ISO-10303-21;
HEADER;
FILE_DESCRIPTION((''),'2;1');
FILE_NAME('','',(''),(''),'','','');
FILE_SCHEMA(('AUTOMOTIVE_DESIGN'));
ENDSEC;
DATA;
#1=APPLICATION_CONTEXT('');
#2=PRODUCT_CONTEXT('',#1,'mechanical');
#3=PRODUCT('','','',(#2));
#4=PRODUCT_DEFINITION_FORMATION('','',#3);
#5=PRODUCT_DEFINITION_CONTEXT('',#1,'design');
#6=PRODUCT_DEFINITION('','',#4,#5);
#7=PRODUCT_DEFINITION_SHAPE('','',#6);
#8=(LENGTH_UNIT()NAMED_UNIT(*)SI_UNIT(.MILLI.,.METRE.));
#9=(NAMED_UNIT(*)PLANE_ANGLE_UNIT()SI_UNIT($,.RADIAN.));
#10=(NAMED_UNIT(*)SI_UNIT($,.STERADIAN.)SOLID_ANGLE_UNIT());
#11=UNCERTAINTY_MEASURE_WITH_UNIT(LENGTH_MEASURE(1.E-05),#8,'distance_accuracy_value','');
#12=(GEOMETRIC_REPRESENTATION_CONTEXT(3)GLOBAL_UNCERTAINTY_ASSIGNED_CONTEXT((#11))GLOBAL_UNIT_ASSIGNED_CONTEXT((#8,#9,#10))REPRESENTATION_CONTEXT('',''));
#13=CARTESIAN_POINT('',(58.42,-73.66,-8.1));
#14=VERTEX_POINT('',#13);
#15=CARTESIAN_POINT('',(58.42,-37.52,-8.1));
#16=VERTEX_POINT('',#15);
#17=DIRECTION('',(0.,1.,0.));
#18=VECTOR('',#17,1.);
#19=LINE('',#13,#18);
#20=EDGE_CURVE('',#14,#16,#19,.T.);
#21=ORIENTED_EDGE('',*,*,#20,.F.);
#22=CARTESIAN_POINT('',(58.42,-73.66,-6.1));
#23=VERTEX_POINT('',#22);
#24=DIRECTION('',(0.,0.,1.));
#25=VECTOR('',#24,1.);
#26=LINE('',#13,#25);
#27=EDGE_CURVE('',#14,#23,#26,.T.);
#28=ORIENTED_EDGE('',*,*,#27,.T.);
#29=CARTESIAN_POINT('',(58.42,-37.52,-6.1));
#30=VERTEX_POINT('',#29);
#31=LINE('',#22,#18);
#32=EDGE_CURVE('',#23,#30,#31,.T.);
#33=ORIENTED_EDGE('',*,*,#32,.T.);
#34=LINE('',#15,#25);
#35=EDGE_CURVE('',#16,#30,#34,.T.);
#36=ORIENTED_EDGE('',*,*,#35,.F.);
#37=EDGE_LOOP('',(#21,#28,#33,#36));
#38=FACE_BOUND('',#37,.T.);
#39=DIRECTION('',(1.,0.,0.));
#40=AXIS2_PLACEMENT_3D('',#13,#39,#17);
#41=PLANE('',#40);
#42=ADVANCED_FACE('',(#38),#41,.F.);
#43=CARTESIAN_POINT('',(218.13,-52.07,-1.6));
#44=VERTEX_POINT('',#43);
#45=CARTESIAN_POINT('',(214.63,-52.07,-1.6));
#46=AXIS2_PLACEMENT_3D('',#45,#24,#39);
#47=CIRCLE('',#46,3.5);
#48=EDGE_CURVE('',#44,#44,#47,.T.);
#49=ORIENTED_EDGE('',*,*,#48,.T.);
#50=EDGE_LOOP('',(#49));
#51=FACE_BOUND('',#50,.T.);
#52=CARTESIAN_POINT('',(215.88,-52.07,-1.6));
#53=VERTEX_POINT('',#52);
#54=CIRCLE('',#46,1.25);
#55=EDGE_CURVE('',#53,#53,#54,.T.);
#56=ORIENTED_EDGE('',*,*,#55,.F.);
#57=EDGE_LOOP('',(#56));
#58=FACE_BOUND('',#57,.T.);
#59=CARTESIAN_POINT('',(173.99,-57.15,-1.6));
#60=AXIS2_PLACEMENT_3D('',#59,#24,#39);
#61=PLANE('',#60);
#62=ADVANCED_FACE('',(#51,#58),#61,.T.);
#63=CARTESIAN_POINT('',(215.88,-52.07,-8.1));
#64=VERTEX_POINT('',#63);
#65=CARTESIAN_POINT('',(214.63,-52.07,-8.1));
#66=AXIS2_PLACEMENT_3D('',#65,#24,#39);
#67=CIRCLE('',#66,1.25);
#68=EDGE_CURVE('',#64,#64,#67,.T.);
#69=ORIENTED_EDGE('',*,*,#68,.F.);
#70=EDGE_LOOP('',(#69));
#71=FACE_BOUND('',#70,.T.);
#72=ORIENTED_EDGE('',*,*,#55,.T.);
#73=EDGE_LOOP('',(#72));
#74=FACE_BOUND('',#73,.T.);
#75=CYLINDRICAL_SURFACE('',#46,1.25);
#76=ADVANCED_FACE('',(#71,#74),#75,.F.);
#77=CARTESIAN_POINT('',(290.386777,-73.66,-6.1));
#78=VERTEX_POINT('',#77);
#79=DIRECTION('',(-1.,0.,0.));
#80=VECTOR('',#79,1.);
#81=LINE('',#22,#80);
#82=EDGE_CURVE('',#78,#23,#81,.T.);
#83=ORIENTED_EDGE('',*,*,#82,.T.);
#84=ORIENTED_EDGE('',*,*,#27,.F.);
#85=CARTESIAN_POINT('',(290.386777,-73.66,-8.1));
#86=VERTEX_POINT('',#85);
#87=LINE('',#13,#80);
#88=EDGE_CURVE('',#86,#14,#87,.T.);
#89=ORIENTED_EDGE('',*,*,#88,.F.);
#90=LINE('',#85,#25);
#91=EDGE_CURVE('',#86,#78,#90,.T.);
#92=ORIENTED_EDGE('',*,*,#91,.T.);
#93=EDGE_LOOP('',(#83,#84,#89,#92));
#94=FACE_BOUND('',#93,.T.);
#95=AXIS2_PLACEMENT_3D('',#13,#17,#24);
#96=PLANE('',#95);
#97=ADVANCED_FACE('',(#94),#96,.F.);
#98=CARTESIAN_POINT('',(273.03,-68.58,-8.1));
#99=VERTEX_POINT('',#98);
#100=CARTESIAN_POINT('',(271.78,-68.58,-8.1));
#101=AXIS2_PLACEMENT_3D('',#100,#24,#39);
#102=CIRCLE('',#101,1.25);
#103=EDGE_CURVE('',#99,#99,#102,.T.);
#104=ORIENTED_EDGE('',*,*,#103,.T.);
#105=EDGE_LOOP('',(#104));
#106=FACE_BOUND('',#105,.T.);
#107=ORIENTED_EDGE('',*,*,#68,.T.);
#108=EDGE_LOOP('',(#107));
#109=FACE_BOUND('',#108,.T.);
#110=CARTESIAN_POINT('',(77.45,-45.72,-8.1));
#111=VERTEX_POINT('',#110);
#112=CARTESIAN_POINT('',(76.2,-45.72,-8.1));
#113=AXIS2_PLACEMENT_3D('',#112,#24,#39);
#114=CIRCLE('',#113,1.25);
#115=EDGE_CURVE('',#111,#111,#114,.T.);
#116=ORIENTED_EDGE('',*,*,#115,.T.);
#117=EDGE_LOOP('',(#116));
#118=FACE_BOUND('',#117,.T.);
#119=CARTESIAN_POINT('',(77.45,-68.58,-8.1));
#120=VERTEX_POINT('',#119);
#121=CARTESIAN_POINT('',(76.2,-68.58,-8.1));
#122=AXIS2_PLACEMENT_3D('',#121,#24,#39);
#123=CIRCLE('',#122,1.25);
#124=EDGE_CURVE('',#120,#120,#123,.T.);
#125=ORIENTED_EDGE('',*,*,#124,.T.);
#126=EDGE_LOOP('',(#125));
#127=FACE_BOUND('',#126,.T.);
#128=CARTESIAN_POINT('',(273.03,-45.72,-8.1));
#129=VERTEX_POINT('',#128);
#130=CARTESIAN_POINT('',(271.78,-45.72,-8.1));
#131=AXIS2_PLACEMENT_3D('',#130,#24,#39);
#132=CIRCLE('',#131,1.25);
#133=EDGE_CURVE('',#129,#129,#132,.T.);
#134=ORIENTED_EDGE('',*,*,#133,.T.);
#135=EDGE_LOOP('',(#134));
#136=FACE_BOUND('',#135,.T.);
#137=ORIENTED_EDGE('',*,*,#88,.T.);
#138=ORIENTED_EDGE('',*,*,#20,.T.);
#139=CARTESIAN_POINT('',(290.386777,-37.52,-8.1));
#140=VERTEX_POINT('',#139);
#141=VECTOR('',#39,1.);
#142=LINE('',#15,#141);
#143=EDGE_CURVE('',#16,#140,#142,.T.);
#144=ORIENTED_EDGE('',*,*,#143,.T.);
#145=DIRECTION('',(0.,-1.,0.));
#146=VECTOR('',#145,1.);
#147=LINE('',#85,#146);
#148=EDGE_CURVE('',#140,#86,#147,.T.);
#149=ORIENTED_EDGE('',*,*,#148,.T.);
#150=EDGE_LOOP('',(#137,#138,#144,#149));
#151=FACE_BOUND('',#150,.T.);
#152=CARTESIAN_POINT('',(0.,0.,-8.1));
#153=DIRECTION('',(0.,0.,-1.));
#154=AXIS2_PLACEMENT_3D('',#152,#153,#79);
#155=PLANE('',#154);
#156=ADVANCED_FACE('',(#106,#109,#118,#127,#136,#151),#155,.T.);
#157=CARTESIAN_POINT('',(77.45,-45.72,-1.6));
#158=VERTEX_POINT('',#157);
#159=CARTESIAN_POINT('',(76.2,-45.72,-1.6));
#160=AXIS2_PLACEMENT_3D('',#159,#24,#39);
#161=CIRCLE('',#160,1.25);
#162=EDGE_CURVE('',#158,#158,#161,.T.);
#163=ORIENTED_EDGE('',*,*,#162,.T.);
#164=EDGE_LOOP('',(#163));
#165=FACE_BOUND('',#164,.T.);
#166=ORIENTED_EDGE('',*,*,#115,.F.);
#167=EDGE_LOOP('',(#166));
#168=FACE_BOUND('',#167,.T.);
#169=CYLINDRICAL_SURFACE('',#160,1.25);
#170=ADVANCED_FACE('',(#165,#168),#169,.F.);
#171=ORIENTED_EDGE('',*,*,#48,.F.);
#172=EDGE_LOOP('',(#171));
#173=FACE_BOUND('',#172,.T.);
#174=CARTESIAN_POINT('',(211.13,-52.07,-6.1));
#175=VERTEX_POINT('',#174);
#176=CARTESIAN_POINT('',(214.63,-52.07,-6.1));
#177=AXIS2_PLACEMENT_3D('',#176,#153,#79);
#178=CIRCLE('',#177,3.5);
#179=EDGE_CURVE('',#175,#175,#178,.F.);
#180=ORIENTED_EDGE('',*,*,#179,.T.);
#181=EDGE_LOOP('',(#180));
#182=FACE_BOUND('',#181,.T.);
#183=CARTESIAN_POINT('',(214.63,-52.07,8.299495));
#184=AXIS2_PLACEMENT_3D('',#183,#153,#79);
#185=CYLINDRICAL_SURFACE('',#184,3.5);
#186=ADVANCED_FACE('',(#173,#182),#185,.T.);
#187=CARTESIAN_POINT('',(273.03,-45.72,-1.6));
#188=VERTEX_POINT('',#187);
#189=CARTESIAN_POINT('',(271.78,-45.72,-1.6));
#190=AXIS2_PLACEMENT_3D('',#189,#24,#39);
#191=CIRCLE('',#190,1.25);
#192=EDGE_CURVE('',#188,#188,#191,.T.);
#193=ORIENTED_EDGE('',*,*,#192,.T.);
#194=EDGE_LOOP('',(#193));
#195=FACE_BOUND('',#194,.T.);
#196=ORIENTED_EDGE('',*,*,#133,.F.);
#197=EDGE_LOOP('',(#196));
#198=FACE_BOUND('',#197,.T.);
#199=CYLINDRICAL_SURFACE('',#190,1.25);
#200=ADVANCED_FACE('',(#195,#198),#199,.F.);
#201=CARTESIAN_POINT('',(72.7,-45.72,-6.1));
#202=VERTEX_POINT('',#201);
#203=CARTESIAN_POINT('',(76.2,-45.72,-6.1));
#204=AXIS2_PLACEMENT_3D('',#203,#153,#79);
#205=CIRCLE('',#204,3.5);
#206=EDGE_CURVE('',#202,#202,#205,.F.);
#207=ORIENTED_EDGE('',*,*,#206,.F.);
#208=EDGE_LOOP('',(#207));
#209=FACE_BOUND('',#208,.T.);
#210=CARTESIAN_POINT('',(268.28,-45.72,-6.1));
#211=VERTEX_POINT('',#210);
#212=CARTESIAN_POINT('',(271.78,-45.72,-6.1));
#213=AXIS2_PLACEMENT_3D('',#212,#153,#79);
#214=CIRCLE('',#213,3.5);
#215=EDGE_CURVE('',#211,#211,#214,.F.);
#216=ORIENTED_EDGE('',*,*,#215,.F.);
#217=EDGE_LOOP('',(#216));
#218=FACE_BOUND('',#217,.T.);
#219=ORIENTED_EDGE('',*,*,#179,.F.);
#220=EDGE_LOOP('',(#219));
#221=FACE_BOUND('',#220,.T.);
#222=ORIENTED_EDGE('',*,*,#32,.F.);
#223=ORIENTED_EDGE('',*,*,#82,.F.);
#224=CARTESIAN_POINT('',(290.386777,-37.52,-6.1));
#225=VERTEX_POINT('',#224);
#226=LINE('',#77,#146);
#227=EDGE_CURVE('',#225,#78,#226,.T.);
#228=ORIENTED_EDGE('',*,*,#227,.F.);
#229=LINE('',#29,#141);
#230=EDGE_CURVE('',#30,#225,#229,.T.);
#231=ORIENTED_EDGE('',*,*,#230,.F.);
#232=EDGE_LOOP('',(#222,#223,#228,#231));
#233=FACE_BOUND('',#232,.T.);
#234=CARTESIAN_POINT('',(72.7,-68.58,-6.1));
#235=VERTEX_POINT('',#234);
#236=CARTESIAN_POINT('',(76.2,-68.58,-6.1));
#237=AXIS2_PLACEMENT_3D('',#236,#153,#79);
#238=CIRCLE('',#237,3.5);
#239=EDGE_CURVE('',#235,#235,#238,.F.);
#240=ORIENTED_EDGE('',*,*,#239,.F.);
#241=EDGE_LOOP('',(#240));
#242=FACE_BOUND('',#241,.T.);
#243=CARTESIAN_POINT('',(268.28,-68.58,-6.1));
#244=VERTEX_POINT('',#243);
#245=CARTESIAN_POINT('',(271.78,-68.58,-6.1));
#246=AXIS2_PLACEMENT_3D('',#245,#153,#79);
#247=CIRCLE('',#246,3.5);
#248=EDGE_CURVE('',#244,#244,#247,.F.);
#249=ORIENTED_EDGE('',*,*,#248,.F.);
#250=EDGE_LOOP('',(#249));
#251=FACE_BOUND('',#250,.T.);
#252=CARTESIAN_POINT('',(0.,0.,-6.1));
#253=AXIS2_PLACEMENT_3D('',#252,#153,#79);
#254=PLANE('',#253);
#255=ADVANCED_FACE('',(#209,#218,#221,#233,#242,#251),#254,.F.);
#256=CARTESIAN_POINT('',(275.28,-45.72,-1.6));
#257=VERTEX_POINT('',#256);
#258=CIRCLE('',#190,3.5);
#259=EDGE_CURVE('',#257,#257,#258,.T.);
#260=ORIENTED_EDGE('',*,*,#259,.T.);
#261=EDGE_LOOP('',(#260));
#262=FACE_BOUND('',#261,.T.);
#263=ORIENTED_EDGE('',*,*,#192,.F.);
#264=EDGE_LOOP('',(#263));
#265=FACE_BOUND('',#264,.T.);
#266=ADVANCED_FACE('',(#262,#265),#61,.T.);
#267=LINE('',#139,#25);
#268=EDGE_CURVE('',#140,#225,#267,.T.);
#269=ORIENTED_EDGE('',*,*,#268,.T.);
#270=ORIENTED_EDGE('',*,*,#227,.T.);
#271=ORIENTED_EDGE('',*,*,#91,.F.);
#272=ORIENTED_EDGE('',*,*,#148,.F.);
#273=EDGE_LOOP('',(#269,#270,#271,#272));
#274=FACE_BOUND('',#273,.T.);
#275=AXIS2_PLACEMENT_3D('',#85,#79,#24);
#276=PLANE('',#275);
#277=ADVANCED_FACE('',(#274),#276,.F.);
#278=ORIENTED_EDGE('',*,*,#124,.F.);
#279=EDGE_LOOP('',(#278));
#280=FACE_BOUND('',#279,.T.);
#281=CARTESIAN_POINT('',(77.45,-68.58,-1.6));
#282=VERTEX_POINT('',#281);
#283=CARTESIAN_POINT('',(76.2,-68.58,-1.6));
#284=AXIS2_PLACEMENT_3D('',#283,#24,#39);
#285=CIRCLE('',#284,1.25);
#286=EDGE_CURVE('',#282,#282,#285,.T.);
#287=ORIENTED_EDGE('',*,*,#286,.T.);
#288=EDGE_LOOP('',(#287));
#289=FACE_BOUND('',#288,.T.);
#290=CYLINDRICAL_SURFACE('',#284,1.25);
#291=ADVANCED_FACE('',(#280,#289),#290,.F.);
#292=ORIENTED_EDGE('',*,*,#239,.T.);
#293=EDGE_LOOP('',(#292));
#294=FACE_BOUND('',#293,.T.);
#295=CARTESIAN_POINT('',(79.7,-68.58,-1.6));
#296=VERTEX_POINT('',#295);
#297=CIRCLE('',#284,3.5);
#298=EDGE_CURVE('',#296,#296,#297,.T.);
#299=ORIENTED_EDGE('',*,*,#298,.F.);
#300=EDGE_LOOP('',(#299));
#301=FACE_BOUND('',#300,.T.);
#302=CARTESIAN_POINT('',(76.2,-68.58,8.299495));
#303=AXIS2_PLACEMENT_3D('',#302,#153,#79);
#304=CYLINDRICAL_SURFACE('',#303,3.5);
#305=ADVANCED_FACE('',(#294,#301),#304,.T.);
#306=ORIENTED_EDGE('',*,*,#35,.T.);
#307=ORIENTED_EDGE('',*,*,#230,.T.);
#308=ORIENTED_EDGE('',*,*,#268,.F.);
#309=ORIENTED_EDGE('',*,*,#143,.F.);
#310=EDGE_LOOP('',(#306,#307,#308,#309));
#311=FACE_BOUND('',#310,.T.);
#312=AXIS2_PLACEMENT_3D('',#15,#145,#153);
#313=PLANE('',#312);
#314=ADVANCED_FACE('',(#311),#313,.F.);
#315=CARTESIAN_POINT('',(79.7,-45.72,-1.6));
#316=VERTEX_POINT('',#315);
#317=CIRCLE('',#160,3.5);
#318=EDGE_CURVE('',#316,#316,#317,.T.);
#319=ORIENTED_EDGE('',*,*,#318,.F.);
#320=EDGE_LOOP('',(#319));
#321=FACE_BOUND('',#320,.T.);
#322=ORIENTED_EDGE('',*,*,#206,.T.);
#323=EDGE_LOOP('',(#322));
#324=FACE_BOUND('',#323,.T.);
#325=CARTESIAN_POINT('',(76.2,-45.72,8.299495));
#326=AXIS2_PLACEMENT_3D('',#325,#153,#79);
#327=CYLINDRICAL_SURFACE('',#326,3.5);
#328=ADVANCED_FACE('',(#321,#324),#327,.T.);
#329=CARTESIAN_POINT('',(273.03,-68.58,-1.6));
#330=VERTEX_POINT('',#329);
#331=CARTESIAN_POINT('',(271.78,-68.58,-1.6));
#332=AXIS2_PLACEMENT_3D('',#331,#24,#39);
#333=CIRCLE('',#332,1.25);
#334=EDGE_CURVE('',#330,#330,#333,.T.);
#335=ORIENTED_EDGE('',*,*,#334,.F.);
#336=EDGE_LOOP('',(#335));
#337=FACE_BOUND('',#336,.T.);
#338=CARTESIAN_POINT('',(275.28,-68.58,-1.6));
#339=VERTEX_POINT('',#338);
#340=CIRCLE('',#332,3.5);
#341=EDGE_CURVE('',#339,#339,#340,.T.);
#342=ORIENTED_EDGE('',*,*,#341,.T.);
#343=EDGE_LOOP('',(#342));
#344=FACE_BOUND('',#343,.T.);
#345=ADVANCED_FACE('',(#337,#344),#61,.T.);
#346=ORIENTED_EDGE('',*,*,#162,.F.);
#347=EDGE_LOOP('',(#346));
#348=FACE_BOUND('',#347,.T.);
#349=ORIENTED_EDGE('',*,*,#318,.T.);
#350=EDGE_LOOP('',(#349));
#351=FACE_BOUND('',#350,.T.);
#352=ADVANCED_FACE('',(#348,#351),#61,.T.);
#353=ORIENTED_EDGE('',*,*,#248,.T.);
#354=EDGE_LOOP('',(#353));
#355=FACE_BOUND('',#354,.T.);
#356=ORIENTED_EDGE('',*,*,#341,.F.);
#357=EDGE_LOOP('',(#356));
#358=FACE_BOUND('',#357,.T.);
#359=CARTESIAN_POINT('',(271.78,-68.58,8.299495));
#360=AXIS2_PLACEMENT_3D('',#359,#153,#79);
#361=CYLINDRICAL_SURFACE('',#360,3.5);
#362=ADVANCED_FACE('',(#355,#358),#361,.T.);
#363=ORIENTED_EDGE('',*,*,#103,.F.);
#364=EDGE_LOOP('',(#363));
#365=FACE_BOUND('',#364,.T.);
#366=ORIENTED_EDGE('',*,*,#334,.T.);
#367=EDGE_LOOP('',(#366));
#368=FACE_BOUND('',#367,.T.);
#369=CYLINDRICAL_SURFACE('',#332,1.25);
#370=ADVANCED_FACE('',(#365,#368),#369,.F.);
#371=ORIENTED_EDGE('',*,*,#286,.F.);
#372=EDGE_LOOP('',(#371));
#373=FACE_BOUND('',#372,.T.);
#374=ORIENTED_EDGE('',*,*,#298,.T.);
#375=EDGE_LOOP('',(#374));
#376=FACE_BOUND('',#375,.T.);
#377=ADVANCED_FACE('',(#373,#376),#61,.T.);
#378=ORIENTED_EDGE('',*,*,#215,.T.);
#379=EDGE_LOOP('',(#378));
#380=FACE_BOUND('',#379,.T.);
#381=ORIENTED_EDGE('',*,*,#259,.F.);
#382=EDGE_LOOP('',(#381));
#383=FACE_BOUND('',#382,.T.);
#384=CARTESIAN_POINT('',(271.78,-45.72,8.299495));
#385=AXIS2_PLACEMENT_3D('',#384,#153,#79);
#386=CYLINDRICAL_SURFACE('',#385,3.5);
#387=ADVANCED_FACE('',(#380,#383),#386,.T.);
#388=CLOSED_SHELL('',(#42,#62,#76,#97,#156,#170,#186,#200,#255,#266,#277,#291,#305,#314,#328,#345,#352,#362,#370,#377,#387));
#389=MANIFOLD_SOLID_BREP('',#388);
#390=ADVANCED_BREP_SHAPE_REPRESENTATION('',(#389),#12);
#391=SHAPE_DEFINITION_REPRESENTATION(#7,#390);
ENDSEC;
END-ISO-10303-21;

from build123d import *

# Parameters (mm, degrees)
BOSS_EXTRUDE1_START         = 4.5
SKETCH2_W                   = 231.966777064
SKETCH2_H                   = 36.14
BOSS_EXTRUDE1_DEPTH         = 2
SKETCH3_R                   = 3.5
BOSS_EXTRUDE2_DEPTH         = 4.5
TAP_DRILL_FOR_M3X0_5_TAP1_D = 2.5


with BuildPart() as part:
    # Sketch2 → Boss-Extrude1 (new body)
    with BuildSketch(Plane(origin=(0, 0, -1.6), x_dir=(-1, 0, 0), z_dir=(0, 0, -1)).offset(BOSS_EXTRUDE1_START)):
        with Locations((-174.403388532, -55.59)):
            Rectangle(SKETCH2_W, SKETCH2_H)
    extrude(amount=BOSS_EXTRUDE1_DEPTH)

    # Sketch3 → Boss-Extrude2 (add)
    with BuildSketch(Plane.XY.offset(-6.1)):
        with Locations(Location((271.78, -45.72, 0), (0, 0, 180))):
            Circle(SKETCH3_R)
        with Locations(Location((271.78, -68.58, 0), (0, 0, 180))):
            Circle(SKETCH3_R)
        with Locations(Location((214.63, -52.07, 0), (0, 0, 180))):
            Circle(SKETCH3_R)
        with Locations(Location((76.2, -45.72, 0), (0, 0, 180))):
            Circle(SKETCH3_R)
        with Locations(Location((76.2, -68.58, 0), (0, 0, 180))):
            Circle(SKETCH3_R)
    extrude(amount=BOSS_EXTRUDE2_DEPTH)

    # Tap Drill for M3x0.5 Tap1 (through all)
    with Locations(Plane.XY.offset(-1.6)):
        with Locations((271.78, -45.72), (271.78, -68.58), (214.63, -52.07), (76.2, -45.72), (76.2, -68.58)):
            Hole(TAP_DRILL_FOR_M3X0_5_TAP1_D / 2)


solid = part.part
